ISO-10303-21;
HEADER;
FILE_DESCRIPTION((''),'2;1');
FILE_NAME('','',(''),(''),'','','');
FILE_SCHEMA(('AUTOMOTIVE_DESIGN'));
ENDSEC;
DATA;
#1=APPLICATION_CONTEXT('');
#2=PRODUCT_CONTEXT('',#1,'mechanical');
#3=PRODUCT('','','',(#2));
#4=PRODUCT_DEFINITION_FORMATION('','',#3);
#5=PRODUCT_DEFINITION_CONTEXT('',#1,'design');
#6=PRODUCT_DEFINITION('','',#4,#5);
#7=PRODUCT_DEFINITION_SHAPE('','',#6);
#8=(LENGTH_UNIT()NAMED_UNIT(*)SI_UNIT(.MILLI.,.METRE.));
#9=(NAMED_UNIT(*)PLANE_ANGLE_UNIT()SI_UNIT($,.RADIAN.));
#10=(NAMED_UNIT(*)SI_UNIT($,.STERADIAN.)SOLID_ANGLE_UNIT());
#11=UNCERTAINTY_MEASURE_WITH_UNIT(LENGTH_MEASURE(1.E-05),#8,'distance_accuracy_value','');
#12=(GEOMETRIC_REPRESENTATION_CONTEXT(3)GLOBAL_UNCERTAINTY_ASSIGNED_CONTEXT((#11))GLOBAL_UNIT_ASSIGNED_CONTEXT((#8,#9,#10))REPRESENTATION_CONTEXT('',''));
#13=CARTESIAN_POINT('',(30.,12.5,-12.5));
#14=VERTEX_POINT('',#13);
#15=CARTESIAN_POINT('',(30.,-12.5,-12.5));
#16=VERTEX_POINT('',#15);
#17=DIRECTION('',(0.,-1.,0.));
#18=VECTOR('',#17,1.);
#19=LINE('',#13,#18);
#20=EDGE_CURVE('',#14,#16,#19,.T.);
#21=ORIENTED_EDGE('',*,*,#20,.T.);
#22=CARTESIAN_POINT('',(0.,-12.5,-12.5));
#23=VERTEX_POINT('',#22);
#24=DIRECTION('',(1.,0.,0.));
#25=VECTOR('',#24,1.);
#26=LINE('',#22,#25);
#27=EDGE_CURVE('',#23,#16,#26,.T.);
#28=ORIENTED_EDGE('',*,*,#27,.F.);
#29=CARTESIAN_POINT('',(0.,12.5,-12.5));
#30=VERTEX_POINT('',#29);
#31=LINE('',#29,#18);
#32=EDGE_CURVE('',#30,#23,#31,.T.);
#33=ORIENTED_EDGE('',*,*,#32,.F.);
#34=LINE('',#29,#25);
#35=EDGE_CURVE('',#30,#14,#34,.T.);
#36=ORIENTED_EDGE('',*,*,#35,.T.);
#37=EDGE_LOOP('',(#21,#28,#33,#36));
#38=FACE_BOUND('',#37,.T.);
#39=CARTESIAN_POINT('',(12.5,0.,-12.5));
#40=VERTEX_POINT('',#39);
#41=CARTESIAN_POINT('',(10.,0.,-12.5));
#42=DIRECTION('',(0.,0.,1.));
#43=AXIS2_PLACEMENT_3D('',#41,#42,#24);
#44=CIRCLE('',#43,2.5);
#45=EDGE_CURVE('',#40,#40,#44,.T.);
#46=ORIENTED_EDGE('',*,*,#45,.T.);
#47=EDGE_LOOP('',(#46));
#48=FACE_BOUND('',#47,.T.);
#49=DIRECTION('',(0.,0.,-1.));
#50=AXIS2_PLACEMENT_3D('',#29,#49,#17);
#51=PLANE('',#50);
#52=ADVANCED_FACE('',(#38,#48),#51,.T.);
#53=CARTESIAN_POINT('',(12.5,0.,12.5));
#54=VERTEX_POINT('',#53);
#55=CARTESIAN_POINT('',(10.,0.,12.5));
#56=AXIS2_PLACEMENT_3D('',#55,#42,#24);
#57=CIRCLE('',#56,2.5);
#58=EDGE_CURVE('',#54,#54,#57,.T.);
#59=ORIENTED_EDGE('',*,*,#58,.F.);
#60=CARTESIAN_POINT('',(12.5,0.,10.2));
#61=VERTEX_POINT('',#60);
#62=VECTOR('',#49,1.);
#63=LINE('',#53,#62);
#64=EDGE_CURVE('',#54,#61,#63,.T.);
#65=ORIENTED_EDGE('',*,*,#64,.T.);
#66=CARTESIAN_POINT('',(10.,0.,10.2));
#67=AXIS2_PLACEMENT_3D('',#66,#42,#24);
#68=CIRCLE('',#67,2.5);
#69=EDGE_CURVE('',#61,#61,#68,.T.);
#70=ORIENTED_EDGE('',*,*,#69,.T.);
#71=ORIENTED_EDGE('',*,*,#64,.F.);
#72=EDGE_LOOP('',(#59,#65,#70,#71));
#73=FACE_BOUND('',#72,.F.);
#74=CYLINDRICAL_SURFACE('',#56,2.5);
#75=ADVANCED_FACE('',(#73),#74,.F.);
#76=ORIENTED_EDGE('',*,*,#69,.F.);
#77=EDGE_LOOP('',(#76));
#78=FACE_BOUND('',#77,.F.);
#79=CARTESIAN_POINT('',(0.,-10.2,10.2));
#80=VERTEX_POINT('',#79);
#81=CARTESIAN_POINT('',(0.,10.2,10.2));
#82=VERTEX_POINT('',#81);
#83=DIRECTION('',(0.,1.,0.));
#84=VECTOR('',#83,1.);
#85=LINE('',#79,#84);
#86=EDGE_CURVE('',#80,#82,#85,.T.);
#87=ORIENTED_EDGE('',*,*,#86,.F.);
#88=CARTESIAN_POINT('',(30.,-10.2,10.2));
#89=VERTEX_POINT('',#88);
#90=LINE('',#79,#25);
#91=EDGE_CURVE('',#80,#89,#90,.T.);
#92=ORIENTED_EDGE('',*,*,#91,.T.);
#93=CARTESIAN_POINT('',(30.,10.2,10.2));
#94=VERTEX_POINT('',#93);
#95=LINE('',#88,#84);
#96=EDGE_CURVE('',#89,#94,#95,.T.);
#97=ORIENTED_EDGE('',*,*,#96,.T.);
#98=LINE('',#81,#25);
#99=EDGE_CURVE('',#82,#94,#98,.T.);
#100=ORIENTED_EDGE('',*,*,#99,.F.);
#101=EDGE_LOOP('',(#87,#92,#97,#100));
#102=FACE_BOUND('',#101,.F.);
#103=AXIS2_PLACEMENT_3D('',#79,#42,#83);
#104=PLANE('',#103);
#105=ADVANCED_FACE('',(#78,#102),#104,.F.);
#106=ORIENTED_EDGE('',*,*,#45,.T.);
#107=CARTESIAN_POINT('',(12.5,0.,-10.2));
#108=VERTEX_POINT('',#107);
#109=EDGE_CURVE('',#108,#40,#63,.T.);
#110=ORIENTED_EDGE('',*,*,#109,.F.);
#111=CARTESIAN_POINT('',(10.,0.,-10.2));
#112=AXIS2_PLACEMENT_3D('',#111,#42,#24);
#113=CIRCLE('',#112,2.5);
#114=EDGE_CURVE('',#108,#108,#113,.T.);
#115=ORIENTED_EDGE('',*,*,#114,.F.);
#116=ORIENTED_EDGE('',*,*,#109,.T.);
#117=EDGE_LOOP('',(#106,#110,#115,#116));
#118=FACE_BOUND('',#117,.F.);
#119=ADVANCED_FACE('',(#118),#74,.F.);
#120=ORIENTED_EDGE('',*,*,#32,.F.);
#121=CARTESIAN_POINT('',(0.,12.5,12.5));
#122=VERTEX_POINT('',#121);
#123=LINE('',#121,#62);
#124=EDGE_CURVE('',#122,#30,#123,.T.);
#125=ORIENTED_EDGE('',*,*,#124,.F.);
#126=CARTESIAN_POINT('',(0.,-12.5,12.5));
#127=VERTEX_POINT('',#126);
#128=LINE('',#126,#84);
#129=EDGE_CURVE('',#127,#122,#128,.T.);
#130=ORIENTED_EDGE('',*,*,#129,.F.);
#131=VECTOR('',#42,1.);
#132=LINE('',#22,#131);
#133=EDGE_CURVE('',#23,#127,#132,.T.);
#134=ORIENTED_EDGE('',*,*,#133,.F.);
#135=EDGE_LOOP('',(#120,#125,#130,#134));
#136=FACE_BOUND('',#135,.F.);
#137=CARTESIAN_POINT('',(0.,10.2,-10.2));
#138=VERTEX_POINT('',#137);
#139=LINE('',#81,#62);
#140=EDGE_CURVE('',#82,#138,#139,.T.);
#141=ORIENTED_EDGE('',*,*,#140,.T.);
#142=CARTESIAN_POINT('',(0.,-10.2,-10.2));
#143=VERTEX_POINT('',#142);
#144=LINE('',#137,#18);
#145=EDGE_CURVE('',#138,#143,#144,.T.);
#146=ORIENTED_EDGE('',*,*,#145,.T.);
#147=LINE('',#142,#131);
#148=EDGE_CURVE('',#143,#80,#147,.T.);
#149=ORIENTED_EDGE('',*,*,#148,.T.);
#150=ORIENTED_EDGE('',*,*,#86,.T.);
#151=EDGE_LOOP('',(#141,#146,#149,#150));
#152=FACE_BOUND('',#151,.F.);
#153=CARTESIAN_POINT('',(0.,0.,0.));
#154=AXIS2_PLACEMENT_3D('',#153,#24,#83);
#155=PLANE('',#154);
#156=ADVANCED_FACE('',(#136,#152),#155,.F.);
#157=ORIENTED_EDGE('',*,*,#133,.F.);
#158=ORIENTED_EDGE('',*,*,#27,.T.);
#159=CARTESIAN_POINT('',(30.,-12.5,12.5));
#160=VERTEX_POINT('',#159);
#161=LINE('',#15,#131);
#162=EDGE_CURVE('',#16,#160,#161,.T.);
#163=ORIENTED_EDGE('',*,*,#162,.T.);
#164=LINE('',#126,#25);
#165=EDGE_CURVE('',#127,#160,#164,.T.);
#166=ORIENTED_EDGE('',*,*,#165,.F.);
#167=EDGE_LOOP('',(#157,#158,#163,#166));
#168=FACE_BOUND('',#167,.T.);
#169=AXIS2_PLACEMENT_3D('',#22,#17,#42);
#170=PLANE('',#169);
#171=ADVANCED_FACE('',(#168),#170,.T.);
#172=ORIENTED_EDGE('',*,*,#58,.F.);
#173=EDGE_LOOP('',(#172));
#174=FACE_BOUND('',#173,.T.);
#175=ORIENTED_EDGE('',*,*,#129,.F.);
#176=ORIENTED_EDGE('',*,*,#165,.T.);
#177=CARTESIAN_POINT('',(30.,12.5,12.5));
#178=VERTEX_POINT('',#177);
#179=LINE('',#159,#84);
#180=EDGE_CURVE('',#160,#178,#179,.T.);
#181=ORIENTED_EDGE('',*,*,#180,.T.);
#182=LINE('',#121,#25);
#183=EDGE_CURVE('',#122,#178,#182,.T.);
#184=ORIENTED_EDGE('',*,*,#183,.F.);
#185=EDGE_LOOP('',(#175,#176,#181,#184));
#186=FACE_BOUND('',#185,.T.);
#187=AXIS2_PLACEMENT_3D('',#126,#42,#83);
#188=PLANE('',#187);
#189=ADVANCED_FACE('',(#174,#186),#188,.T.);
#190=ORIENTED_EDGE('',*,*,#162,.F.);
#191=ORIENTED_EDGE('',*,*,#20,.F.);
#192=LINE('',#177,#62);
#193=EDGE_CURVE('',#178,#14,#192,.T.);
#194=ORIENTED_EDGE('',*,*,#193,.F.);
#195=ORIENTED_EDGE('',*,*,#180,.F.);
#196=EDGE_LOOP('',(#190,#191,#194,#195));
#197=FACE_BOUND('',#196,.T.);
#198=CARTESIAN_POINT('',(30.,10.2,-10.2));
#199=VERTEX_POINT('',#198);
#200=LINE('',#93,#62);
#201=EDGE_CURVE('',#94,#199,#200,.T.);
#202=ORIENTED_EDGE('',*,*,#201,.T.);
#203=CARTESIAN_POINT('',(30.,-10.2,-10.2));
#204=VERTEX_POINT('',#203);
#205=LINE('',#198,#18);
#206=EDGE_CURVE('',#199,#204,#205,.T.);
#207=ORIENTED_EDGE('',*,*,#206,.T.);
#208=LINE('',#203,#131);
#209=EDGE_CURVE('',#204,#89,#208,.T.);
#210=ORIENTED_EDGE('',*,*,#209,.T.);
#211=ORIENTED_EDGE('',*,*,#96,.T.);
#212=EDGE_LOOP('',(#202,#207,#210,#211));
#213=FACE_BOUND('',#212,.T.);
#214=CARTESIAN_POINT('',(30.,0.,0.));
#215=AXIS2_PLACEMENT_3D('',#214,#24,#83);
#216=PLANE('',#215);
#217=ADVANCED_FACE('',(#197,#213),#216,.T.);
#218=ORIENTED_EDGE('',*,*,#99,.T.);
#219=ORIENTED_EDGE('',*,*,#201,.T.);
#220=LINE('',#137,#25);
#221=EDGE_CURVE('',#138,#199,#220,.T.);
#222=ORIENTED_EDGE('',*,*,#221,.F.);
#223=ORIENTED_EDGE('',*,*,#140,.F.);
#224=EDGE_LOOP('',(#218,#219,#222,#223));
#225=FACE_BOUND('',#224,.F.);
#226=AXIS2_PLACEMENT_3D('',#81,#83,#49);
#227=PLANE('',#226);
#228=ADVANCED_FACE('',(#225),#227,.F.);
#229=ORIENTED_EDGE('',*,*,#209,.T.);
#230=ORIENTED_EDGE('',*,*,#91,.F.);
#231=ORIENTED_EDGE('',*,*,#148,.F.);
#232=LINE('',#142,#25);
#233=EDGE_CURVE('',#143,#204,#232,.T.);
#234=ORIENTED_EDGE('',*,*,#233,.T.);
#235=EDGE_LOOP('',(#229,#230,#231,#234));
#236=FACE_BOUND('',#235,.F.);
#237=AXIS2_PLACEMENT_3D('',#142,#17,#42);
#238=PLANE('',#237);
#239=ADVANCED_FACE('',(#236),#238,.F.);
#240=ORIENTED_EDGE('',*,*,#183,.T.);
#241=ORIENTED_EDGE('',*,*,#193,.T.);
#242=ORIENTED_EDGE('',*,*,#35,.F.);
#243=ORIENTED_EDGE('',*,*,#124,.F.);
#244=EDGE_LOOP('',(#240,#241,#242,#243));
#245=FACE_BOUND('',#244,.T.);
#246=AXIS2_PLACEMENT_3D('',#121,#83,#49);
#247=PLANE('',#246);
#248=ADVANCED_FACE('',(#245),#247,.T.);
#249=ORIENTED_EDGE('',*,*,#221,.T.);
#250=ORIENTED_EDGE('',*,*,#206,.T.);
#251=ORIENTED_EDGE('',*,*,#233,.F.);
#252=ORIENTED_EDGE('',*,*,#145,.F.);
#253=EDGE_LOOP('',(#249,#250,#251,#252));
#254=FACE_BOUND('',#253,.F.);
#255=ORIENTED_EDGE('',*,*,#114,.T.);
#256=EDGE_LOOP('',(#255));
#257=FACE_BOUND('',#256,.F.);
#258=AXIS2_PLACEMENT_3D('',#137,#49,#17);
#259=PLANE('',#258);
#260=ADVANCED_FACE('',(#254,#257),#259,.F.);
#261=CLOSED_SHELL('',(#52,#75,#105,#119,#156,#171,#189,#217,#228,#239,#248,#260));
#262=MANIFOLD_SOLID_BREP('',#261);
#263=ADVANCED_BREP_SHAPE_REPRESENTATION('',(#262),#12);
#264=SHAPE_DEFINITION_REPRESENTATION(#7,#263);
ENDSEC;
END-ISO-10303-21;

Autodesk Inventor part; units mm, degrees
ref_plane "YZ Plane" through (0, 0, 0) normal (1, 0, 0) x (0, 1, 0)
ref_plane "XZ Plane" through (0, 0, 0) normal (0, 1, 0) x (-1, 0, 0)
ref_plane "XY Plane" through (0, 0, 0) normal (0, 0, 1) x (1, 0, 0)
sketch "スケッチ1" plane through (0, 0, 0) normal (1, 0, 0) x (0, 1, 0)
  line L0 (-12.5, 12.5) -> (12.5, 12.5)
  line L1 (12.5, 12.5) -> (12.5, -12.5)
  line L2 (12.5, -12.5) -> (-12.5, -12.5)
  line L3 (-12.5, -12.5) -> (-12.5, 12.5)
  line L4 (-12.5, 12.5) -> (12.5, -12.5) construction
  line L5 (12.5, 12.5) -> (-12.5, -12.5) construction
  line L6 (-10.2, 10.2) -> (10.2, 10.2)
  line L7 (10.2, 10.2) -> (10.2, -10.2)
  line L8 (10.2, -10.2) -> (-10.2, -10.2)
  line L9 (-10.2, -10.2) -> (-10.2, 10.2)
  line L10 (-10.2, 10.2) -> (10.2, -10.2) construction
  line L11 (10.2, 10.2) -> (-10.2, -10.2) construction
  point P0 (0, 0)
  dimension "d0" = 25
  dimension "d1" = 25
  dimension "d2" = 2.3
extrude "押し出し1" add sketch "スケッチ1" along normal blind 30
sketch "スケッチ2" plane through (0, -12.5, 12.5) normal (0, 0, 1) x (1, 0, 0)
  circle A0 centre (10, 12.5) radius 2.5
  line L0 (0, 0) -> (0, 25) projected
  line L1 (0, 0) -> (30, 0) projected
  point P0 (0, 12.5)
  dimension "d5" = 5
  dimension "d6" = 10
  dimension "d7" = 12.5
extrude "押し出し2" cut sketch "スケッチ2" against normal through all
properties part number "bracket1(body)" material "鉄、可鍛鉄"
